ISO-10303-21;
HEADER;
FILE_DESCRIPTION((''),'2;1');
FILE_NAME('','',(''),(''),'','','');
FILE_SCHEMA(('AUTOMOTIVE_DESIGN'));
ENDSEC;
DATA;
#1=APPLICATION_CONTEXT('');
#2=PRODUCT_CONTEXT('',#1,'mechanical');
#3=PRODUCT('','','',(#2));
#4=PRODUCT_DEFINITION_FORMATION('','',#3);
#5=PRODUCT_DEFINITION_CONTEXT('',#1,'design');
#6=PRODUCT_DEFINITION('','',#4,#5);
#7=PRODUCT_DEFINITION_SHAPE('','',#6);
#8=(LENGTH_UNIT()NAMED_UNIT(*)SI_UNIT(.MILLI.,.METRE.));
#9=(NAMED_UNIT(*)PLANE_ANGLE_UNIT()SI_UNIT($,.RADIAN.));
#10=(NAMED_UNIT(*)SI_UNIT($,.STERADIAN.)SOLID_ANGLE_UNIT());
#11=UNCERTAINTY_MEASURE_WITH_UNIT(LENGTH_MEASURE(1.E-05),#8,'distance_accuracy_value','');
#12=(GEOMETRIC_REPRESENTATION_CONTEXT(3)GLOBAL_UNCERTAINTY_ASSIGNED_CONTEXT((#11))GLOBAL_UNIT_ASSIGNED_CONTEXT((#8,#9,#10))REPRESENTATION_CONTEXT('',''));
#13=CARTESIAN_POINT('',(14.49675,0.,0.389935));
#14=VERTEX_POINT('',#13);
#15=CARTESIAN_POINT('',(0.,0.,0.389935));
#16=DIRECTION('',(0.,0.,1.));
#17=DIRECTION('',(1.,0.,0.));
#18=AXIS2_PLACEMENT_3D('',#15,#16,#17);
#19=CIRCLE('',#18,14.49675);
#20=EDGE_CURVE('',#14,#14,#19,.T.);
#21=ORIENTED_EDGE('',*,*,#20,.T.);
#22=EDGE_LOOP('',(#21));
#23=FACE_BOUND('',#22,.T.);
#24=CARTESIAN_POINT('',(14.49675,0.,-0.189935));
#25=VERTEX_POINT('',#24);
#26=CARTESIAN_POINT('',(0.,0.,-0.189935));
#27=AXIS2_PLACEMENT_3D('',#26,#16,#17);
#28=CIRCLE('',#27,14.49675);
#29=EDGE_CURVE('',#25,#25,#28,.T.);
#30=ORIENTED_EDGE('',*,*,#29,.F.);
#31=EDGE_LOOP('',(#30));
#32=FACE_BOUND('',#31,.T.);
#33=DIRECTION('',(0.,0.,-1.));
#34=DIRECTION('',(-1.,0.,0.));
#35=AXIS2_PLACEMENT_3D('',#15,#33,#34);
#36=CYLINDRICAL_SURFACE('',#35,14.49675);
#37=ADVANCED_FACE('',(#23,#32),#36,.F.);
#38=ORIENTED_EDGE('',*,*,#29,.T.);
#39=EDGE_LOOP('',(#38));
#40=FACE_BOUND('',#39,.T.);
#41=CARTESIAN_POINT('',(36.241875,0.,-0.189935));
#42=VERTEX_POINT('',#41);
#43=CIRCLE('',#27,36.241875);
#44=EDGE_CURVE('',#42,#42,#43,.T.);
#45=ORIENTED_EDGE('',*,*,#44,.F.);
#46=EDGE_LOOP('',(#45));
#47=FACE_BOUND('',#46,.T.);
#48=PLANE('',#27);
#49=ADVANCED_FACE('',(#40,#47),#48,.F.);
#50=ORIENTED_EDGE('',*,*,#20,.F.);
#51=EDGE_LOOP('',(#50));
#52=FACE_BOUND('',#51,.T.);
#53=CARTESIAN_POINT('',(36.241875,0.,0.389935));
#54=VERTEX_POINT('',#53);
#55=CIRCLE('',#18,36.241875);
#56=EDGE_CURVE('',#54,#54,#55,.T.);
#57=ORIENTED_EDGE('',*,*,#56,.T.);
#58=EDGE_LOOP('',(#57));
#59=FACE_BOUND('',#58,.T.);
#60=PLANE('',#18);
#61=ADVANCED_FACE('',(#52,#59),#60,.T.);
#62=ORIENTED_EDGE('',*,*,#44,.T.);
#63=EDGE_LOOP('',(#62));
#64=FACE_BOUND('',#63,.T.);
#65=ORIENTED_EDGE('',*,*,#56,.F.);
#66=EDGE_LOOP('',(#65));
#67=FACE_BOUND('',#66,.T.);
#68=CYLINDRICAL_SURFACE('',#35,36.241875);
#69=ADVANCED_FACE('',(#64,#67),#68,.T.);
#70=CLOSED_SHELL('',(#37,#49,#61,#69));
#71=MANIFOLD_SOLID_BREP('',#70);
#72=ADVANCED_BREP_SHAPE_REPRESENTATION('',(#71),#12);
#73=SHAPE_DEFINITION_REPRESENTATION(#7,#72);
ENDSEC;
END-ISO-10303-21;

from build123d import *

# Parameters (mm, degrees)
SKETCH1_R           = 12.5
SKETCH1_R_2         = 5
BOSS_EXTRUDE2_DEPTH = 0.2
SCALE1_SCALE        = 1.9329
SCALE2_SCALE        = 1.5


with BuildPart() as part:
    # Sketch1 → Boss-Extrude2 (new body)
    with BuildSketch(Plane.XY):
        Circle(SKETCH1_R)
        Circle(SKETCH1_R_2, mode=Mode.SUBTRACT)
    extrude(amount=BOSS_EXTRUDE2_DEPTH)


with BuildPart() as part_1:
    # Scale1: scaled about (0, 0, 0.1)
    add(part.part.scale(SCALE1_SCALE).moved(Location((0, 0, -0.09329))))


with BuildPart() as part_2:
    # Scale2: scaled about (0, 0, 0.1)
    add(part_1.part.scale(SCALE2_SCALE).moved(Location((0, 0, -0.05))))


solid = part_2.part
